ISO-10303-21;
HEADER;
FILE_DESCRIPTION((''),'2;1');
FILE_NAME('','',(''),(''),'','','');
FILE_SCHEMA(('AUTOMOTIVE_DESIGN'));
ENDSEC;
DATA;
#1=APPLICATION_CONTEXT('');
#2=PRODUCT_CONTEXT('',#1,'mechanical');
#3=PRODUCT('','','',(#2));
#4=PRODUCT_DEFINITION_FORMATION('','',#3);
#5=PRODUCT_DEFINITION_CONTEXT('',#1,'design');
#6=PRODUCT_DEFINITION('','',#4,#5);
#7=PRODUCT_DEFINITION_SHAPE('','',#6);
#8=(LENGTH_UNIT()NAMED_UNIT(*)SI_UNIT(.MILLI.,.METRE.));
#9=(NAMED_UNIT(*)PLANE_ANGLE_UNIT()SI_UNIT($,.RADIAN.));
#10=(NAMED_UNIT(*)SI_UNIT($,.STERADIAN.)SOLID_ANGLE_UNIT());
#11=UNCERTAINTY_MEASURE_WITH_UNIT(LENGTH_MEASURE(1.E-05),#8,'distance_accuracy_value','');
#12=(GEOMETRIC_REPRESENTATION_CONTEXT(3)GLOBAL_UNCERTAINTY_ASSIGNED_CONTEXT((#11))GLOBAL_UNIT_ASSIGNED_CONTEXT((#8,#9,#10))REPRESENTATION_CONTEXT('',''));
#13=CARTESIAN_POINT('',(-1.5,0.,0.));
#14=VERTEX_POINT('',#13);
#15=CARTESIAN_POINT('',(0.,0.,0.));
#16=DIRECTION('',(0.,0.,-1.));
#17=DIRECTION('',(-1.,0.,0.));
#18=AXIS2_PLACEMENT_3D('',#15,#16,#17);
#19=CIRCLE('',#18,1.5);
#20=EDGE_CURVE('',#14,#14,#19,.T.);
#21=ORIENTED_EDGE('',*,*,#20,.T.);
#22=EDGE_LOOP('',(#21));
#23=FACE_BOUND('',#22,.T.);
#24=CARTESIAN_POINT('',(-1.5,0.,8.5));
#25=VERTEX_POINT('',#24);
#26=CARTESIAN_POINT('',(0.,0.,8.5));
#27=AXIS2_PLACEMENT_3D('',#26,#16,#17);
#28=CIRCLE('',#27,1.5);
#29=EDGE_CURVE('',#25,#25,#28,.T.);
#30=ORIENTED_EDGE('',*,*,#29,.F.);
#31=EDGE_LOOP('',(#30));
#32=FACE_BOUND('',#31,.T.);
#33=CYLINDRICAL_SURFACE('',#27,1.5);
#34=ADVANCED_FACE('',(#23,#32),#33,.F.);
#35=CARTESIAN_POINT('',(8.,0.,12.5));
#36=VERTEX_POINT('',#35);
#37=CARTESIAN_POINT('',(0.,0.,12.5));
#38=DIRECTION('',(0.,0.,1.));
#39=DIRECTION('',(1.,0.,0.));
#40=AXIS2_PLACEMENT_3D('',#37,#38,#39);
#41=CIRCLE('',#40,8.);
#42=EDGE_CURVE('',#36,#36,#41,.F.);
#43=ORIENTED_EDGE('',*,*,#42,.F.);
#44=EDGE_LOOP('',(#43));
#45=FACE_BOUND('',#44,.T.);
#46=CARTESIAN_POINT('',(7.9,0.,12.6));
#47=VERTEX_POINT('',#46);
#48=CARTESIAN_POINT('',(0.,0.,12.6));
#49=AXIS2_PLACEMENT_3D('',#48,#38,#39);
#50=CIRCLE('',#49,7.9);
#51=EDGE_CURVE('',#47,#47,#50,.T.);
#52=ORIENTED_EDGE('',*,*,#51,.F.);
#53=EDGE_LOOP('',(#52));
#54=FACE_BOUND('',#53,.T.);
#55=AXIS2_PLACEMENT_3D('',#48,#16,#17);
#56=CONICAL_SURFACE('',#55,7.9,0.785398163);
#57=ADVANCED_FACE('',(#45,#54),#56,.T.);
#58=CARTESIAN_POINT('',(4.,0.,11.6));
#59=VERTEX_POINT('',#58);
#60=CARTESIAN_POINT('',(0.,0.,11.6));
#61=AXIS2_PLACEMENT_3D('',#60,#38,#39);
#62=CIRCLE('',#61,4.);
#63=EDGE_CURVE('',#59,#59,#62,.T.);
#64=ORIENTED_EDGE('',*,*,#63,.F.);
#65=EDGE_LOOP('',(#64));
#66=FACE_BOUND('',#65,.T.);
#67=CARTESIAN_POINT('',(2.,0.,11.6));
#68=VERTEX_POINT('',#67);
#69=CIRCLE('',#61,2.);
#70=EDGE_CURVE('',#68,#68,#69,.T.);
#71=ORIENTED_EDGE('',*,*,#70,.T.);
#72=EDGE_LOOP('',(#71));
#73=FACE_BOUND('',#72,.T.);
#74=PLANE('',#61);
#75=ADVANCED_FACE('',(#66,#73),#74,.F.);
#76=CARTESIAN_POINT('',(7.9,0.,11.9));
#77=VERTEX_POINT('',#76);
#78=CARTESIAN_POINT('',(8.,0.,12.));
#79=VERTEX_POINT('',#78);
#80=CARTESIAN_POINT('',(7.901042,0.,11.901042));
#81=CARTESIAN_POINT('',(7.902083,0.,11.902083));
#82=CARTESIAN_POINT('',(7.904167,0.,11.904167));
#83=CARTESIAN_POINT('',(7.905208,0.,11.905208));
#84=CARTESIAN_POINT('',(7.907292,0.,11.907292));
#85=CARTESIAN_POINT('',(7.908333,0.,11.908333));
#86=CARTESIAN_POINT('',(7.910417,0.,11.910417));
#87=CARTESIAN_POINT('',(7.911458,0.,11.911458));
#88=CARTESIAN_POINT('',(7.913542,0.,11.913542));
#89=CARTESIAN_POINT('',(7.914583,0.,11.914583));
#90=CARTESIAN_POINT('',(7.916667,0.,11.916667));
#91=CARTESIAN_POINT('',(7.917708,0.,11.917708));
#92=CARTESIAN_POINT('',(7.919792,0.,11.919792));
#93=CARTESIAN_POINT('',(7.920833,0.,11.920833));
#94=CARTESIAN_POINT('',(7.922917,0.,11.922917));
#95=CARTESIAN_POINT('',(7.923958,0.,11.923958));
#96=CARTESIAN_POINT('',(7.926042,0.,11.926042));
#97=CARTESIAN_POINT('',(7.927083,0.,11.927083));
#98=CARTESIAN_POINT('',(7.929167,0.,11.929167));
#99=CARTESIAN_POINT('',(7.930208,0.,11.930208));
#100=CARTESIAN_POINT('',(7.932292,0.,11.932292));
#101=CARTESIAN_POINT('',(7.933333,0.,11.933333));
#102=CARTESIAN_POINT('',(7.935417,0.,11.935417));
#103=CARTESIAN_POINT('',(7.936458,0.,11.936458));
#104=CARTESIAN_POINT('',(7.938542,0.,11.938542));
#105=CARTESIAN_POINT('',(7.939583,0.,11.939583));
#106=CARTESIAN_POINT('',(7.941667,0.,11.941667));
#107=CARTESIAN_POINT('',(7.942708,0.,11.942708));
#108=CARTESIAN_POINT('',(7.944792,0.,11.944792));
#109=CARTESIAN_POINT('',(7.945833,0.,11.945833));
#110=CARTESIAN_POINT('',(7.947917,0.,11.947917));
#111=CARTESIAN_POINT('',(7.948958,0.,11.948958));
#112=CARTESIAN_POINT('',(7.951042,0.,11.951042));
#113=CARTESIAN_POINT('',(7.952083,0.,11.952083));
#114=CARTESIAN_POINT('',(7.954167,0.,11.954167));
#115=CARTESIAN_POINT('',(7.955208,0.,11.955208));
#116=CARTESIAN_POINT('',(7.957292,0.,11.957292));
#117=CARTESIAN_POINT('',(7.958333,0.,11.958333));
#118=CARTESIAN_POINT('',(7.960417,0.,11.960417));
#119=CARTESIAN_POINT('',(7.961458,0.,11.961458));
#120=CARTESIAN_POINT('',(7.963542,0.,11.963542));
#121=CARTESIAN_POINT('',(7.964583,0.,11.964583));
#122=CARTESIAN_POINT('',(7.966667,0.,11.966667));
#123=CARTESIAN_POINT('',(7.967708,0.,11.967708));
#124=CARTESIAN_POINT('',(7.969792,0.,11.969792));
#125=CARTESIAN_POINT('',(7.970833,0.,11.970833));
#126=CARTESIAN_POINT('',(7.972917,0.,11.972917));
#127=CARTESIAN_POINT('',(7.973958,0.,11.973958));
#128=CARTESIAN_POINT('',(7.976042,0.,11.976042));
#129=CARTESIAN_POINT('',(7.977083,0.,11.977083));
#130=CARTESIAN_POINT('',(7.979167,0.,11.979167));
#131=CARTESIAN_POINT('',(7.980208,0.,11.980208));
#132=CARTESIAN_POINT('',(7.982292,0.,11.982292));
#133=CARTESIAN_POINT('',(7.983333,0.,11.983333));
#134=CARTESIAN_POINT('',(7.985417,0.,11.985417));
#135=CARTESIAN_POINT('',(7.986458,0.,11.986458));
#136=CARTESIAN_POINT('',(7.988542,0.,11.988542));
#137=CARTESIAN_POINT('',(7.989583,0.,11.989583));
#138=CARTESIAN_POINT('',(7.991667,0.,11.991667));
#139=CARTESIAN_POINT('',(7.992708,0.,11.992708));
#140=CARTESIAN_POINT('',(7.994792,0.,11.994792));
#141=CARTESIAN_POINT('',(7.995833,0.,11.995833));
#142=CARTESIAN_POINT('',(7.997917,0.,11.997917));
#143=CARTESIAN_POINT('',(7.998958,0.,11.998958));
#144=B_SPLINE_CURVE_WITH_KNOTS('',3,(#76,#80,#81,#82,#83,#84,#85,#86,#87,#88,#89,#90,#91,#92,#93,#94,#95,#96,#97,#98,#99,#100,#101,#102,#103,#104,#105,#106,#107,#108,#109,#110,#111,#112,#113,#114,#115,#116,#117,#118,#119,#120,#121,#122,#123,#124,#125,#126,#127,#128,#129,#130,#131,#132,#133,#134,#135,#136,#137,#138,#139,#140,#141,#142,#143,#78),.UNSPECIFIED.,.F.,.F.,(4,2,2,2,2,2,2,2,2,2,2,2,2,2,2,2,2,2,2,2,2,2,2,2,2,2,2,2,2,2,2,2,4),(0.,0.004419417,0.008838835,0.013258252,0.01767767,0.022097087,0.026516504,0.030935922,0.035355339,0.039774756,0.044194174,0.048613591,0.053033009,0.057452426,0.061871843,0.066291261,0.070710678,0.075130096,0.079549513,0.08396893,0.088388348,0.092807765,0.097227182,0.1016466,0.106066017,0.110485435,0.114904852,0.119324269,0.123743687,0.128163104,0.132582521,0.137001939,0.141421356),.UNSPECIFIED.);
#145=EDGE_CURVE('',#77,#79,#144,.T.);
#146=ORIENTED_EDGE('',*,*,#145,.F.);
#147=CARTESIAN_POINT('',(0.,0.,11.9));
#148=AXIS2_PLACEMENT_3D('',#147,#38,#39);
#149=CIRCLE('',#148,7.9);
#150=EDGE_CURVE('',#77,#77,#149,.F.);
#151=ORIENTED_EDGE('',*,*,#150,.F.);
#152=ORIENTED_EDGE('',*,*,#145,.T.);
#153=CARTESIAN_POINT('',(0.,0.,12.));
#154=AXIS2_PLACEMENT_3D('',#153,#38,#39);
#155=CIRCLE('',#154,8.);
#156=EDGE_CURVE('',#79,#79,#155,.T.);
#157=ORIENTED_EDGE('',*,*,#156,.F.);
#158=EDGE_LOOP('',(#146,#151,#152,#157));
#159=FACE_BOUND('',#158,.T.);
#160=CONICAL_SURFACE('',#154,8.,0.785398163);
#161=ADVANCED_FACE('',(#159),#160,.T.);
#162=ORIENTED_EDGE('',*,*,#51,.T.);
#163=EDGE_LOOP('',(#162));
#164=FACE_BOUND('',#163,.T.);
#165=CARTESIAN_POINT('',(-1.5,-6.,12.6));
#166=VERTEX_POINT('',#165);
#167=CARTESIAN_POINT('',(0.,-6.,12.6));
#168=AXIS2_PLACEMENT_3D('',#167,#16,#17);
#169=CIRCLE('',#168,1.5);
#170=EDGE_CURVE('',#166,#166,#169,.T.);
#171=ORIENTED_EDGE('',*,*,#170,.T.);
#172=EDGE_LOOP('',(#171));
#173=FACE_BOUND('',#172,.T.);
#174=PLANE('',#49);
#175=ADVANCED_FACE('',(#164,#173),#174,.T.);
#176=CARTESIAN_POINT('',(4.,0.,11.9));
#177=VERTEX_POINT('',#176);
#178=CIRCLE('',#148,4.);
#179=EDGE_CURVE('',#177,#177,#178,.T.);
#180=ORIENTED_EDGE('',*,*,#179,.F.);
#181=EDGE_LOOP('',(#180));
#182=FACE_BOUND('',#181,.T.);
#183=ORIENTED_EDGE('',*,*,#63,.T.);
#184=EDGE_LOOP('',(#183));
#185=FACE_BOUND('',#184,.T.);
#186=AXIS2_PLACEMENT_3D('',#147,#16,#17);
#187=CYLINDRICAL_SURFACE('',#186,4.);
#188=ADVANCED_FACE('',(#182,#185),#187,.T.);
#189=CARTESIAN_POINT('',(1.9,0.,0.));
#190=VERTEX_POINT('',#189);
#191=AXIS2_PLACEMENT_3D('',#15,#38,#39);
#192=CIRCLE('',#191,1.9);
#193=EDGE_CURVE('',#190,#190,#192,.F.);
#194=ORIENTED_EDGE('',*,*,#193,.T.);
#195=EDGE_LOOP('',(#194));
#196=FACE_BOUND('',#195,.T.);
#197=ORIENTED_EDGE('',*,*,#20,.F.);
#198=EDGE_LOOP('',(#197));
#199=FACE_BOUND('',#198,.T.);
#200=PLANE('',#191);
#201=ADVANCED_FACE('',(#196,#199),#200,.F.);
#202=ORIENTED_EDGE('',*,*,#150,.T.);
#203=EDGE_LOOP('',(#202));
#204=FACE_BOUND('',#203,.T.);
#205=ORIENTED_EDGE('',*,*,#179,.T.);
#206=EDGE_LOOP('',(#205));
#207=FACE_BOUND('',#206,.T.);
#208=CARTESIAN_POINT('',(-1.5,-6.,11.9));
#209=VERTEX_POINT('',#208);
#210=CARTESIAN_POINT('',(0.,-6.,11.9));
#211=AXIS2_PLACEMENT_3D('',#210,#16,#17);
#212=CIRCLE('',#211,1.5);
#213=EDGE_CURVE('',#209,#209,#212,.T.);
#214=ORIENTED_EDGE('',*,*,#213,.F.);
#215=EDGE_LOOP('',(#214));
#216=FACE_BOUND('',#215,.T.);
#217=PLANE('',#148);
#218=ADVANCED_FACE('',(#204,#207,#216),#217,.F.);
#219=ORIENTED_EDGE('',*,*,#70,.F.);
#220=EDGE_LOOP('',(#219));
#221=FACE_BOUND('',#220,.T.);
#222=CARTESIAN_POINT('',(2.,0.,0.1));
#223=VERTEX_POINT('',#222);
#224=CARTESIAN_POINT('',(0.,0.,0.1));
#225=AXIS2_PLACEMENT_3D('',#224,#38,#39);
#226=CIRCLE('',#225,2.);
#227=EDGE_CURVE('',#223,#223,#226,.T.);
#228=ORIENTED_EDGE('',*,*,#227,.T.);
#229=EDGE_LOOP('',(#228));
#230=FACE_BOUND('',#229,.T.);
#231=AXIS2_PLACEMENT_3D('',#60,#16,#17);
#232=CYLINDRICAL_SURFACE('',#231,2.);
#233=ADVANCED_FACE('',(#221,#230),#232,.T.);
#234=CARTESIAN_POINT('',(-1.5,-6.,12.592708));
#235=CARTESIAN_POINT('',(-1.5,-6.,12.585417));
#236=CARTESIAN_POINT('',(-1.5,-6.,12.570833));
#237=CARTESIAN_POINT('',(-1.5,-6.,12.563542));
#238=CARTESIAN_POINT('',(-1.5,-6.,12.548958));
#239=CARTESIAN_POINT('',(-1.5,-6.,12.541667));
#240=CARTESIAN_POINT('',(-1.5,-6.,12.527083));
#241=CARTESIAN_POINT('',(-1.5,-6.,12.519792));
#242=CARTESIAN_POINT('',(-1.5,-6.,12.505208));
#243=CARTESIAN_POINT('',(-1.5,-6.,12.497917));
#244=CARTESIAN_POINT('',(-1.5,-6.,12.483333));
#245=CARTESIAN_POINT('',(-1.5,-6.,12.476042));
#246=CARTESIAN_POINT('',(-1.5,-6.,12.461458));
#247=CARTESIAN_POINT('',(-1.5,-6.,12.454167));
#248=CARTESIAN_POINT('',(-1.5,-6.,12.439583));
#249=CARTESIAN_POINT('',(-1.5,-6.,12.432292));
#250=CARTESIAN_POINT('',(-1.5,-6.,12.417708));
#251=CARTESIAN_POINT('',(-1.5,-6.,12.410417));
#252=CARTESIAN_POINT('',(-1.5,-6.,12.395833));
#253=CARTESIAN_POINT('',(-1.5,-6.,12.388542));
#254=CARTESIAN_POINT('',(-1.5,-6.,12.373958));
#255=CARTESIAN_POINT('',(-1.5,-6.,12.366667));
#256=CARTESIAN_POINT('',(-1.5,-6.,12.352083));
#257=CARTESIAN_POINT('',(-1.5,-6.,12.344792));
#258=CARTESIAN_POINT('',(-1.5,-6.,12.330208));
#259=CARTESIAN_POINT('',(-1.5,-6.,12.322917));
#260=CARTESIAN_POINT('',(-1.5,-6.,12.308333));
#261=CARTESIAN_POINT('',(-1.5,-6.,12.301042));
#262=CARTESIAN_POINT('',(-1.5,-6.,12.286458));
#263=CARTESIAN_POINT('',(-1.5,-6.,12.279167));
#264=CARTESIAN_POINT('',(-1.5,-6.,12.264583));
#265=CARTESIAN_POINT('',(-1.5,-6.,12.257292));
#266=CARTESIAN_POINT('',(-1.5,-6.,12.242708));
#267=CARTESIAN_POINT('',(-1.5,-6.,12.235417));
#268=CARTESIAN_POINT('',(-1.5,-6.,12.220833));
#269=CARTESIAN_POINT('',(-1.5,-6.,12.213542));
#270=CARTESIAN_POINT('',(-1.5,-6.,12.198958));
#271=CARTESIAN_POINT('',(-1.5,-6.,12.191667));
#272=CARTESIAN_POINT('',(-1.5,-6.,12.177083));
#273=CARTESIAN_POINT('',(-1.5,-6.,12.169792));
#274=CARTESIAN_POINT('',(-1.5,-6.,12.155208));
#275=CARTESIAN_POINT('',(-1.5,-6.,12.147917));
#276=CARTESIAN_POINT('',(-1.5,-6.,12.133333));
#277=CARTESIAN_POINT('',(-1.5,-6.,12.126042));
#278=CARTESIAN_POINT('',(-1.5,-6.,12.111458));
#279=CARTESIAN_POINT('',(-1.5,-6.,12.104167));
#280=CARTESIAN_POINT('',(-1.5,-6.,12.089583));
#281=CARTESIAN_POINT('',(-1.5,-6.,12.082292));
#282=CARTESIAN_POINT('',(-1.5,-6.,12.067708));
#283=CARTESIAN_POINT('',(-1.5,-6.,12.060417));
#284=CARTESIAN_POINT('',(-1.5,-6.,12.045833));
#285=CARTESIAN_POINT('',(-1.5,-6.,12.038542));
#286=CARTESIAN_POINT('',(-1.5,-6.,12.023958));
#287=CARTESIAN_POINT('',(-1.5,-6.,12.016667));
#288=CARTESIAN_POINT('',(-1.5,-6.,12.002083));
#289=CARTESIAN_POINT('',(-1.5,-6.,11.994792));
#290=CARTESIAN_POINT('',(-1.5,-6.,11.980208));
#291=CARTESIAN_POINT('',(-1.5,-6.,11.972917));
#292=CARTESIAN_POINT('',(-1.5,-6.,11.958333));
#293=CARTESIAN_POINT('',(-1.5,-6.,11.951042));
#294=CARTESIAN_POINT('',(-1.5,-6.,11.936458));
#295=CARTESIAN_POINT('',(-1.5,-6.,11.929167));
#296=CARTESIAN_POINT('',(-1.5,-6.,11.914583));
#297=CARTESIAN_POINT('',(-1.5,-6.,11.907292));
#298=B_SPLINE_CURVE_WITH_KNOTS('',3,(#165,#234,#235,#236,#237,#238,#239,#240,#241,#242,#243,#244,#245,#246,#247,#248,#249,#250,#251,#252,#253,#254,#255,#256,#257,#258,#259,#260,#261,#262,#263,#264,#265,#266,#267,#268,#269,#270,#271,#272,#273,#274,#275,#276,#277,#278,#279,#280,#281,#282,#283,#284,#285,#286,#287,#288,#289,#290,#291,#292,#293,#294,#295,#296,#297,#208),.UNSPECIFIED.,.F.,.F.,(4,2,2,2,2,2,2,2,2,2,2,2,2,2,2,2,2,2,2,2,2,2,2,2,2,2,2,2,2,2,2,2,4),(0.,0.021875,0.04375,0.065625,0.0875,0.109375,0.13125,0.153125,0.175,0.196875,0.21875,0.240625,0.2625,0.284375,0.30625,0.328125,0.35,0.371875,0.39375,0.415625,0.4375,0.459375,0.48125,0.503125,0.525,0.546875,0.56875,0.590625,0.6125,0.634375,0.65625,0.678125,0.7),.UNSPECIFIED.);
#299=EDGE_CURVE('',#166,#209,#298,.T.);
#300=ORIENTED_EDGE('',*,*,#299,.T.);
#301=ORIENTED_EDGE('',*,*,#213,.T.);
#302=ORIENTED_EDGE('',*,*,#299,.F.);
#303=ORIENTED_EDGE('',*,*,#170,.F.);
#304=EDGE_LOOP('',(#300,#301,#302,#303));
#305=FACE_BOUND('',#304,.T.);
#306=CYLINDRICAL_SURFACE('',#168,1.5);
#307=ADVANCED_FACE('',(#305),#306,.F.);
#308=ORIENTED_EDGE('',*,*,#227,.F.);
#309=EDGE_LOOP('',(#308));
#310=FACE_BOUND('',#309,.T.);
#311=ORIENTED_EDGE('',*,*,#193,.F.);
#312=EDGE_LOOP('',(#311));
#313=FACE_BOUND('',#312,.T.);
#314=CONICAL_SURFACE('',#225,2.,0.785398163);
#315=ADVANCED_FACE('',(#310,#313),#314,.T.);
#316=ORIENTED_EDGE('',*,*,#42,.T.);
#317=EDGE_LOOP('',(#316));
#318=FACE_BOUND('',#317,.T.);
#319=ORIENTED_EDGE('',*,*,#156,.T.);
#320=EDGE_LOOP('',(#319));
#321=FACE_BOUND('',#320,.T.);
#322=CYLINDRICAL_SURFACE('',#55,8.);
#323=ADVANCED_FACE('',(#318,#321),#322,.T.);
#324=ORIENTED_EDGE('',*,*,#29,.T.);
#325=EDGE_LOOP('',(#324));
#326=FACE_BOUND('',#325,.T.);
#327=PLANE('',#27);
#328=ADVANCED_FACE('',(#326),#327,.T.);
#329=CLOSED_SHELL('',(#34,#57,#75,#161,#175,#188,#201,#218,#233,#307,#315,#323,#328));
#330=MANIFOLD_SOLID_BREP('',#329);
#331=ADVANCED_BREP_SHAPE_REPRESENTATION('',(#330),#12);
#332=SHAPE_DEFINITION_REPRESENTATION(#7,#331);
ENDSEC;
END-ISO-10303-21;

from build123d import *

# Parameters (mm, degrees)
SKETCH2_R           = 2
BOSS_EXTRUDE1_DEPTH = 11.6
SKETCH3_R           = 4
BOSS_EXTRUDE2_DEPTH = 0.3
SKETCH4_R           = 8
BOSS_EXTRUDE3_DEPTH = 0.7
SKETCH5_R           = 1.5
CUT_EXTRUDE1_DEPTH  = 8.5
SKETCH7_R           = 1.5
CUT_EXTRUDE2_DEPTH  = 17.419805115
CHAMFER1_SIZE       = 0.1


with BuildPart() as part:
    # Sketch2 → Boss-Extrude1 (new body)
    with BuildSketch(Plane.XY):
        Circle(SKETCH2_R)
    extrude(amount=BOSS_EXTRUDE1_DEPTH)

    # Sketch3 → Boss-Extrude2 (add)
    with BuildSketch(Plane.XY.offset(11.6)):
        Circle(SKETCH3_R)
    extrude(amount=BOSS_EXTRUDE2_DEPTH)

    # Sketch4 → Boss-Extrude3 (add)
    with BuildSketch(Plane.XY.offset(11.9)):
        Circle(SKETCH4_R)
    extrude(amount=BOSS_EXTRUDE3_DEPTH)

    # Sketch5 → Cut-Extrude1 (cut)
    with BuildSketch(Plane(origin=(0, 0, 0), x_dir=(-1, 0, 0), z_dir=(0, 0, -1))):
        Circle(SKETCH5_R)
    extrude(amount=-CUT_EXTRUDE1_DEPTH, mode=Mode.SUBTRACT)

    # Sketch7 → Cut-Extrude2 (cut, through all)
    with BuildSketch(Plane(origin=(0, 0, 11.9), x_dir=(-1, 0, 0), z_dir=(0, 0, -1))):
        with Locations((0, -6)):
            Circle(SKETCH7_R)
    extrude(amount=-CUT_EXTRUDE2_DEPTH, mode=Mode.SUBTRACT)

    # Chamfer1
    chamfer1_edges = [part.edges().sort_by_distance(p)[0] for p in [
        (-8, 0, 12.6),
        (-2, 0, 0),
        (-8, 0, 11.9),
    ]]
    chamfer(chamfer1_edges, length=CHAMFER1_SIZE)


solid = part.part
